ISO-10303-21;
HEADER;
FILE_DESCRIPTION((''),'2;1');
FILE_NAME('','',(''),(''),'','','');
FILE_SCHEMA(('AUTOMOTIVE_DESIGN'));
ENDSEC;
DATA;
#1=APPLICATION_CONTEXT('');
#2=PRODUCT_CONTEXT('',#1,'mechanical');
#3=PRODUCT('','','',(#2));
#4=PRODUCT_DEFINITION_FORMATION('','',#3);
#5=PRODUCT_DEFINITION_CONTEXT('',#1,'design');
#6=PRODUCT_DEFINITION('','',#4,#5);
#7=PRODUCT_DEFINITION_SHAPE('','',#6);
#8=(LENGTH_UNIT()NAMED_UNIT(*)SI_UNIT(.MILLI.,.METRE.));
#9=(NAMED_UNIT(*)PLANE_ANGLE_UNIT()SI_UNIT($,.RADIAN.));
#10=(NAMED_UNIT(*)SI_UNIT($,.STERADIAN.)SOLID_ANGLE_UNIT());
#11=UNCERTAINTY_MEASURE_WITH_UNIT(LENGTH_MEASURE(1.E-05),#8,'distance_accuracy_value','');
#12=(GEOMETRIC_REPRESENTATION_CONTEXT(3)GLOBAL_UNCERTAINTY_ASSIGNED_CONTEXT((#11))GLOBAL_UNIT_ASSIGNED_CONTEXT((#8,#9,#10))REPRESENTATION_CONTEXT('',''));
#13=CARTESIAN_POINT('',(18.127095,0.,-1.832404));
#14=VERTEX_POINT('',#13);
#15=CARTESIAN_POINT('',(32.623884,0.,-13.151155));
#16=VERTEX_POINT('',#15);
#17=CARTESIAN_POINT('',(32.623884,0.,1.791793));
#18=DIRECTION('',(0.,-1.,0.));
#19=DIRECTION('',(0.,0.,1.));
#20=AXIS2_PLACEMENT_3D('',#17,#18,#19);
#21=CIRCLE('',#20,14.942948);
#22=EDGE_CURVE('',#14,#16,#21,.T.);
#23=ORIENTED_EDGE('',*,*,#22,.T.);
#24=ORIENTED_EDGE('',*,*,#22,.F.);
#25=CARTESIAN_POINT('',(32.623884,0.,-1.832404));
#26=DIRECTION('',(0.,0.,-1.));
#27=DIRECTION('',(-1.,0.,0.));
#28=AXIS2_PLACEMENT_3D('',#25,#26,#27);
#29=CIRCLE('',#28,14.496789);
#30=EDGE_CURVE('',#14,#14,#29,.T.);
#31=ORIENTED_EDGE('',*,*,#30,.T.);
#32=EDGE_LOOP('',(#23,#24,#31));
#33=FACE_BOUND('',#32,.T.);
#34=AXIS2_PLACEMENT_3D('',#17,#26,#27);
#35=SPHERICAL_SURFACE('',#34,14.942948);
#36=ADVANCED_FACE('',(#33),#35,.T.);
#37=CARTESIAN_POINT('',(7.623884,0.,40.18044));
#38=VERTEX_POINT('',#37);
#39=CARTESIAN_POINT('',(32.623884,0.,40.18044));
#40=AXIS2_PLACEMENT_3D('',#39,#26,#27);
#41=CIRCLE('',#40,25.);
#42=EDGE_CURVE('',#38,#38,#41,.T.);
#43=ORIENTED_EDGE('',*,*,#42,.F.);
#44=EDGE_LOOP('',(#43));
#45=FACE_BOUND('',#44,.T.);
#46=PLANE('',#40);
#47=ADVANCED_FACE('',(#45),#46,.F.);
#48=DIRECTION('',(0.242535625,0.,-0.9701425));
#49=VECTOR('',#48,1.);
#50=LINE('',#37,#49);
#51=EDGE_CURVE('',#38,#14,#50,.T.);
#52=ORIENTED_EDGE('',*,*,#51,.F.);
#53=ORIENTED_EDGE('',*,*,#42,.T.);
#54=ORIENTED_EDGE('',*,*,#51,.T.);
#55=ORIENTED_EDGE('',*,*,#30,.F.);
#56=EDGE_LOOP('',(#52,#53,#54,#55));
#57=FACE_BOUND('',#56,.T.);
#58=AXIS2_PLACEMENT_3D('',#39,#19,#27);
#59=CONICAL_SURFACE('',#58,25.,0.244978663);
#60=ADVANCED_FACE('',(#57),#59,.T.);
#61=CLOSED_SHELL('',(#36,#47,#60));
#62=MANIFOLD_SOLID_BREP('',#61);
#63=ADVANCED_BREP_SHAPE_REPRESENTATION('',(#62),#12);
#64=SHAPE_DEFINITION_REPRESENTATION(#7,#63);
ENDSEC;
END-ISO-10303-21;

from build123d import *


with BuildPart() as f1:
    # F0 (on Front) → F1 (revolve)
    with BuildSketch(Plane.XZ):
        with BuildLine():
            Line((32.6238836162, 40.1804404727), (7.6238836162, 40.1804404727))
            Line((7.6238836162, 40.1804404727), (18.1270947, -1.8324038624))
            ThreePointArc((18.1270947, -1.8324038624), (20.8457707455, 10.987866016), (32.6238836162, 16.7347413759))
            Line((32.6238836162, 16.7347413759), (32.6238836162, 40.1804404727))
        make_face()
        with BuildLine():
            ThreePointArc((32.6238836162, 16.7347413759), (20.8457707455, 10.987866016), (18.1270947, -1.8324038624))
            ThreePointArc((18.1270947, -1.8324038624), (23.4278109875, -9.9863194833), (32.6238836162, -13.1511546011))
            Line((32.6238836162, -13.1511546011), (32.6238836162, 16.7347413759))
        make_face()
    revolve(axis=Axis((32.6238836162, 0, -9.8195595273), (0, 0, -1)))


solid = f1.part
